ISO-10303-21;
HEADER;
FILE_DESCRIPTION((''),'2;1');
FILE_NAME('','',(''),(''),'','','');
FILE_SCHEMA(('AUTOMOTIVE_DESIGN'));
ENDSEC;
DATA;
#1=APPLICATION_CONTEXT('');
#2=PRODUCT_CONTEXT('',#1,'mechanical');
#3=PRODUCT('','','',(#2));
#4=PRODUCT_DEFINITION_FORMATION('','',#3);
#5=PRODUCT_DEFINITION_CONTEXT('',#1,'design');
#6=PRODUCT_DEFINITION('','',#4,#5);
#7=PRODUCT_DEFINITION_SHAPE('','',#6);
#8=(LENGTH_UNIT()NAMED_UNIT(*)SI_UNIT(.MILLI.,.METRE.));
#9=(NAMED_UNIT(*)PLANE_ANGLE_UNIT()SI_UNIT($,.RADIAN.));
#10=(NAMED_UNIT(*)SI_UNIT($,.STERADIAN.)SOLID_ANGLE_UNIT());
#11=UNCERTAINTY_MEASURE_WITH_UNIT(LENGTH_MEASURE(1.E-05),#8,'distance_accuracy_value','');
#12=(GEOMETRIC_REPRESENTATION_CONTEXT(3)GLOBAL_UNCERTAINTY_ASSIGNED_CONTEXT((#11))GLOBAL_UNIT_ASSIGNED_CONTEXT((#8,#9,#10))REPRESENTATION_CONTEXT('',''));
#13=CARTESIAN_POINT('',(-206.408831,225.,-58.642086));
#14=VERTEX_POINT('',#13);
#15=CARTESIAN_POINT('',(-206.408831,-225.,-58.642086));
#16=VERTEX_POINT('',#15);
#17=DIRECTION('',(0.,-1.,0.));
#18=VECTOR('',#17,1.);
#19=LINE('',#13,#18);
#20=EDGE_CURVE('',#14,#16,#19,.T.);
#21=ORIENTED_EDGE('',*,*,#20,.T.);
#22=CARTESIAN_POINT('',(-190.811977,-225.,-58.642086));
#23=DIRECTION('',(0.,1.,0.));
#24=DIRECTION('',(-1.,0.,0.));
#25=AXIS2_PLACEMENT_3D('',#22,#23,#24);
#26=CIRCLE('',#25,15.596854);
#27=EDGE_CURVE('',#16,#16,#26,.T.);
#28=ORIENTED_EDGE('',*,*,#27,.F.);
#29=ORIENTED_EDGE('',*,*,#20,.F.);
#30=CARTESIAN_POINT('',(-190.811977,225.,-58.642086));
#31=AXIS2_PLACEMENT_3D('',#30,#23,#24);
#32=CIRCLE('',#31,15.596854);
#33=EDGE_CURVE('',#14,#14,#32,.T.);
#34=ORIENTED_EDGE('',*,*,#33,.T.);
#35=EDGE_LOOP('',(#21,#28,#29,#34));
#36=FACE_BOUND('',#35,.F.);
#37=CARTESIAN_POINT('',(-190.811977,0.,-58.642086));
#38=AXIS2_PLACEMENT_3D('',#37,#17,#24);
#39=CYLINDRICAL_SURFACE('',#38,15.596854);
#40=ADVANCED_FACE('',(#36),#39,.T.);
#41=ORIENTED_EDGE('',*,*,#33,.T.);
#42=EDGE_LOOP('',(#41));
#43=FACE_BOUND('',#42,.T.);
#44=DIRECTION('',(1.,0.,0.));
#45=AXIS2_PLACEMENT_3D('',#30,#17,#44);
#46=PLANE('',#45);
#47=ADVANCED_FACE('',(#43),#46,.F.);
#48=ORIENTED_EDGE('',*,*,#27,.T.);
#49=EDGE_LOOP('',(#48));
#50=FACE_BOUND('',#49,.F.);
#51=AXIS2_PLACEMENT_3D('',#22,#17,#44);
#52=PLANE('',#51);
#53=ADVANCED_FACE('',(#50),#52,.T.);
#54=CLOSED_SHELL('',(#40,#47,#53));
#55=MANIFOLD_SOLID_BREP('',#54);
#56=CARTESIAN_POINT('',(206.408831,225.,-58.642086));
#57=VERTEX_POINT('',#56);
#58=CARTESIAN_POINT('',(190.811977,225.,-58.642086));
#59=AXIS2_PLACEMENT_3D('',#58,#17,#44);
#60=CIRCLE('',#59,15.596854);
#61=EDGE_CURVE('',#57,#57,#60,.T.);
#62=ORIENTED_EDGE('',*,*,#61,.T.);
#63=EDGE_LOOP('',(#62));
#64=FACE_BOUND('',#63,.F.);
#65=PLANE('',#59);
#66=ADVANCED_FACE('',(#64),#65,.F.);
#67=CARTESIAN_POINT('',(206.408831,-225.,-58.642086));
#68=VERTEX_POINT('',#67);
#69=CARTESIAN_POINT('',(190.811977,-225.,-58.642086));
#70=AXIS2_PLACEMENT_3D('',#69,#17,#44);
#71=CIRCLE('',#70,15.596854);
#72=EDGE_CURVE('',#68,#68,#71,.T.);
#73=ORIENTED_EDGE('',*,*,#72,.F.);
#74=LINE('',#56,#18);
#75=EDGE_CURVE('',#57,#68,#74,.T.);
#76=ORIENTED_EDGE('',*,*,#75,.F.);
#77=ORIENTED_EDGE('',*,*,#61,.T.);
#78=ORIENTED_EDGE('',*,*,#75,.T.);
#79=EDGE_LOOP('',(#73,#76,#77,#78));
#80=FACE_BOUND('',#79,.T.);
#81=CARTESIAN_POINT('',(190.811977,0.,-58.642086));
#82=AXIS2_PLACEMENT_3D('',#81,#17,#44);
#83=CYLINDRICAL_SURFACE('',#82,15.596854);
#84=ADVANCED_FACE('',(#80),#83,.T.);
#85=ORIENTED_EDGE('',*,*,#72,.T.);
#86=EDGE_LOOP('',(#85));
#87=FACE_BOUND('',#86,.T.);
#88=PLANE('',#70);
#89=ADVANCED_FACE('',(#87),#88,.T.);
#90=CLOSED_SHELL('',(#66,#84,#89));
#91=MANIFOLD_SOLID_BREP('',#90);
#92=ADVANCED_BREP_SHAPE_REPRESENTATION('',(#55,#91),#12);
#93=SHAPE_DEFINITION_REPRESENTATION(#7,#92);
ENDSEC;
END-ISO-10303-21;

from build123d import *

# Parameters (mm, degrees)
F0_R     = 15.596854
F1_DEPTH = 225


with BuildPart() as f1:
    # F0 (on Front) → F1 (new body, symmetric)
    with BuildSketch(Plane.XZ):
        with Locations((190.811977, -58.642086)):
            Circle(F0_R)
    extrude(amount=F1_DEPTH, both=True)


with BuildPart() as f2_1:
    # F2: instance of F1
    add(f1.part.mirror(Plane.YZ))


solid = Compound([f1.part, f2_1.part])
